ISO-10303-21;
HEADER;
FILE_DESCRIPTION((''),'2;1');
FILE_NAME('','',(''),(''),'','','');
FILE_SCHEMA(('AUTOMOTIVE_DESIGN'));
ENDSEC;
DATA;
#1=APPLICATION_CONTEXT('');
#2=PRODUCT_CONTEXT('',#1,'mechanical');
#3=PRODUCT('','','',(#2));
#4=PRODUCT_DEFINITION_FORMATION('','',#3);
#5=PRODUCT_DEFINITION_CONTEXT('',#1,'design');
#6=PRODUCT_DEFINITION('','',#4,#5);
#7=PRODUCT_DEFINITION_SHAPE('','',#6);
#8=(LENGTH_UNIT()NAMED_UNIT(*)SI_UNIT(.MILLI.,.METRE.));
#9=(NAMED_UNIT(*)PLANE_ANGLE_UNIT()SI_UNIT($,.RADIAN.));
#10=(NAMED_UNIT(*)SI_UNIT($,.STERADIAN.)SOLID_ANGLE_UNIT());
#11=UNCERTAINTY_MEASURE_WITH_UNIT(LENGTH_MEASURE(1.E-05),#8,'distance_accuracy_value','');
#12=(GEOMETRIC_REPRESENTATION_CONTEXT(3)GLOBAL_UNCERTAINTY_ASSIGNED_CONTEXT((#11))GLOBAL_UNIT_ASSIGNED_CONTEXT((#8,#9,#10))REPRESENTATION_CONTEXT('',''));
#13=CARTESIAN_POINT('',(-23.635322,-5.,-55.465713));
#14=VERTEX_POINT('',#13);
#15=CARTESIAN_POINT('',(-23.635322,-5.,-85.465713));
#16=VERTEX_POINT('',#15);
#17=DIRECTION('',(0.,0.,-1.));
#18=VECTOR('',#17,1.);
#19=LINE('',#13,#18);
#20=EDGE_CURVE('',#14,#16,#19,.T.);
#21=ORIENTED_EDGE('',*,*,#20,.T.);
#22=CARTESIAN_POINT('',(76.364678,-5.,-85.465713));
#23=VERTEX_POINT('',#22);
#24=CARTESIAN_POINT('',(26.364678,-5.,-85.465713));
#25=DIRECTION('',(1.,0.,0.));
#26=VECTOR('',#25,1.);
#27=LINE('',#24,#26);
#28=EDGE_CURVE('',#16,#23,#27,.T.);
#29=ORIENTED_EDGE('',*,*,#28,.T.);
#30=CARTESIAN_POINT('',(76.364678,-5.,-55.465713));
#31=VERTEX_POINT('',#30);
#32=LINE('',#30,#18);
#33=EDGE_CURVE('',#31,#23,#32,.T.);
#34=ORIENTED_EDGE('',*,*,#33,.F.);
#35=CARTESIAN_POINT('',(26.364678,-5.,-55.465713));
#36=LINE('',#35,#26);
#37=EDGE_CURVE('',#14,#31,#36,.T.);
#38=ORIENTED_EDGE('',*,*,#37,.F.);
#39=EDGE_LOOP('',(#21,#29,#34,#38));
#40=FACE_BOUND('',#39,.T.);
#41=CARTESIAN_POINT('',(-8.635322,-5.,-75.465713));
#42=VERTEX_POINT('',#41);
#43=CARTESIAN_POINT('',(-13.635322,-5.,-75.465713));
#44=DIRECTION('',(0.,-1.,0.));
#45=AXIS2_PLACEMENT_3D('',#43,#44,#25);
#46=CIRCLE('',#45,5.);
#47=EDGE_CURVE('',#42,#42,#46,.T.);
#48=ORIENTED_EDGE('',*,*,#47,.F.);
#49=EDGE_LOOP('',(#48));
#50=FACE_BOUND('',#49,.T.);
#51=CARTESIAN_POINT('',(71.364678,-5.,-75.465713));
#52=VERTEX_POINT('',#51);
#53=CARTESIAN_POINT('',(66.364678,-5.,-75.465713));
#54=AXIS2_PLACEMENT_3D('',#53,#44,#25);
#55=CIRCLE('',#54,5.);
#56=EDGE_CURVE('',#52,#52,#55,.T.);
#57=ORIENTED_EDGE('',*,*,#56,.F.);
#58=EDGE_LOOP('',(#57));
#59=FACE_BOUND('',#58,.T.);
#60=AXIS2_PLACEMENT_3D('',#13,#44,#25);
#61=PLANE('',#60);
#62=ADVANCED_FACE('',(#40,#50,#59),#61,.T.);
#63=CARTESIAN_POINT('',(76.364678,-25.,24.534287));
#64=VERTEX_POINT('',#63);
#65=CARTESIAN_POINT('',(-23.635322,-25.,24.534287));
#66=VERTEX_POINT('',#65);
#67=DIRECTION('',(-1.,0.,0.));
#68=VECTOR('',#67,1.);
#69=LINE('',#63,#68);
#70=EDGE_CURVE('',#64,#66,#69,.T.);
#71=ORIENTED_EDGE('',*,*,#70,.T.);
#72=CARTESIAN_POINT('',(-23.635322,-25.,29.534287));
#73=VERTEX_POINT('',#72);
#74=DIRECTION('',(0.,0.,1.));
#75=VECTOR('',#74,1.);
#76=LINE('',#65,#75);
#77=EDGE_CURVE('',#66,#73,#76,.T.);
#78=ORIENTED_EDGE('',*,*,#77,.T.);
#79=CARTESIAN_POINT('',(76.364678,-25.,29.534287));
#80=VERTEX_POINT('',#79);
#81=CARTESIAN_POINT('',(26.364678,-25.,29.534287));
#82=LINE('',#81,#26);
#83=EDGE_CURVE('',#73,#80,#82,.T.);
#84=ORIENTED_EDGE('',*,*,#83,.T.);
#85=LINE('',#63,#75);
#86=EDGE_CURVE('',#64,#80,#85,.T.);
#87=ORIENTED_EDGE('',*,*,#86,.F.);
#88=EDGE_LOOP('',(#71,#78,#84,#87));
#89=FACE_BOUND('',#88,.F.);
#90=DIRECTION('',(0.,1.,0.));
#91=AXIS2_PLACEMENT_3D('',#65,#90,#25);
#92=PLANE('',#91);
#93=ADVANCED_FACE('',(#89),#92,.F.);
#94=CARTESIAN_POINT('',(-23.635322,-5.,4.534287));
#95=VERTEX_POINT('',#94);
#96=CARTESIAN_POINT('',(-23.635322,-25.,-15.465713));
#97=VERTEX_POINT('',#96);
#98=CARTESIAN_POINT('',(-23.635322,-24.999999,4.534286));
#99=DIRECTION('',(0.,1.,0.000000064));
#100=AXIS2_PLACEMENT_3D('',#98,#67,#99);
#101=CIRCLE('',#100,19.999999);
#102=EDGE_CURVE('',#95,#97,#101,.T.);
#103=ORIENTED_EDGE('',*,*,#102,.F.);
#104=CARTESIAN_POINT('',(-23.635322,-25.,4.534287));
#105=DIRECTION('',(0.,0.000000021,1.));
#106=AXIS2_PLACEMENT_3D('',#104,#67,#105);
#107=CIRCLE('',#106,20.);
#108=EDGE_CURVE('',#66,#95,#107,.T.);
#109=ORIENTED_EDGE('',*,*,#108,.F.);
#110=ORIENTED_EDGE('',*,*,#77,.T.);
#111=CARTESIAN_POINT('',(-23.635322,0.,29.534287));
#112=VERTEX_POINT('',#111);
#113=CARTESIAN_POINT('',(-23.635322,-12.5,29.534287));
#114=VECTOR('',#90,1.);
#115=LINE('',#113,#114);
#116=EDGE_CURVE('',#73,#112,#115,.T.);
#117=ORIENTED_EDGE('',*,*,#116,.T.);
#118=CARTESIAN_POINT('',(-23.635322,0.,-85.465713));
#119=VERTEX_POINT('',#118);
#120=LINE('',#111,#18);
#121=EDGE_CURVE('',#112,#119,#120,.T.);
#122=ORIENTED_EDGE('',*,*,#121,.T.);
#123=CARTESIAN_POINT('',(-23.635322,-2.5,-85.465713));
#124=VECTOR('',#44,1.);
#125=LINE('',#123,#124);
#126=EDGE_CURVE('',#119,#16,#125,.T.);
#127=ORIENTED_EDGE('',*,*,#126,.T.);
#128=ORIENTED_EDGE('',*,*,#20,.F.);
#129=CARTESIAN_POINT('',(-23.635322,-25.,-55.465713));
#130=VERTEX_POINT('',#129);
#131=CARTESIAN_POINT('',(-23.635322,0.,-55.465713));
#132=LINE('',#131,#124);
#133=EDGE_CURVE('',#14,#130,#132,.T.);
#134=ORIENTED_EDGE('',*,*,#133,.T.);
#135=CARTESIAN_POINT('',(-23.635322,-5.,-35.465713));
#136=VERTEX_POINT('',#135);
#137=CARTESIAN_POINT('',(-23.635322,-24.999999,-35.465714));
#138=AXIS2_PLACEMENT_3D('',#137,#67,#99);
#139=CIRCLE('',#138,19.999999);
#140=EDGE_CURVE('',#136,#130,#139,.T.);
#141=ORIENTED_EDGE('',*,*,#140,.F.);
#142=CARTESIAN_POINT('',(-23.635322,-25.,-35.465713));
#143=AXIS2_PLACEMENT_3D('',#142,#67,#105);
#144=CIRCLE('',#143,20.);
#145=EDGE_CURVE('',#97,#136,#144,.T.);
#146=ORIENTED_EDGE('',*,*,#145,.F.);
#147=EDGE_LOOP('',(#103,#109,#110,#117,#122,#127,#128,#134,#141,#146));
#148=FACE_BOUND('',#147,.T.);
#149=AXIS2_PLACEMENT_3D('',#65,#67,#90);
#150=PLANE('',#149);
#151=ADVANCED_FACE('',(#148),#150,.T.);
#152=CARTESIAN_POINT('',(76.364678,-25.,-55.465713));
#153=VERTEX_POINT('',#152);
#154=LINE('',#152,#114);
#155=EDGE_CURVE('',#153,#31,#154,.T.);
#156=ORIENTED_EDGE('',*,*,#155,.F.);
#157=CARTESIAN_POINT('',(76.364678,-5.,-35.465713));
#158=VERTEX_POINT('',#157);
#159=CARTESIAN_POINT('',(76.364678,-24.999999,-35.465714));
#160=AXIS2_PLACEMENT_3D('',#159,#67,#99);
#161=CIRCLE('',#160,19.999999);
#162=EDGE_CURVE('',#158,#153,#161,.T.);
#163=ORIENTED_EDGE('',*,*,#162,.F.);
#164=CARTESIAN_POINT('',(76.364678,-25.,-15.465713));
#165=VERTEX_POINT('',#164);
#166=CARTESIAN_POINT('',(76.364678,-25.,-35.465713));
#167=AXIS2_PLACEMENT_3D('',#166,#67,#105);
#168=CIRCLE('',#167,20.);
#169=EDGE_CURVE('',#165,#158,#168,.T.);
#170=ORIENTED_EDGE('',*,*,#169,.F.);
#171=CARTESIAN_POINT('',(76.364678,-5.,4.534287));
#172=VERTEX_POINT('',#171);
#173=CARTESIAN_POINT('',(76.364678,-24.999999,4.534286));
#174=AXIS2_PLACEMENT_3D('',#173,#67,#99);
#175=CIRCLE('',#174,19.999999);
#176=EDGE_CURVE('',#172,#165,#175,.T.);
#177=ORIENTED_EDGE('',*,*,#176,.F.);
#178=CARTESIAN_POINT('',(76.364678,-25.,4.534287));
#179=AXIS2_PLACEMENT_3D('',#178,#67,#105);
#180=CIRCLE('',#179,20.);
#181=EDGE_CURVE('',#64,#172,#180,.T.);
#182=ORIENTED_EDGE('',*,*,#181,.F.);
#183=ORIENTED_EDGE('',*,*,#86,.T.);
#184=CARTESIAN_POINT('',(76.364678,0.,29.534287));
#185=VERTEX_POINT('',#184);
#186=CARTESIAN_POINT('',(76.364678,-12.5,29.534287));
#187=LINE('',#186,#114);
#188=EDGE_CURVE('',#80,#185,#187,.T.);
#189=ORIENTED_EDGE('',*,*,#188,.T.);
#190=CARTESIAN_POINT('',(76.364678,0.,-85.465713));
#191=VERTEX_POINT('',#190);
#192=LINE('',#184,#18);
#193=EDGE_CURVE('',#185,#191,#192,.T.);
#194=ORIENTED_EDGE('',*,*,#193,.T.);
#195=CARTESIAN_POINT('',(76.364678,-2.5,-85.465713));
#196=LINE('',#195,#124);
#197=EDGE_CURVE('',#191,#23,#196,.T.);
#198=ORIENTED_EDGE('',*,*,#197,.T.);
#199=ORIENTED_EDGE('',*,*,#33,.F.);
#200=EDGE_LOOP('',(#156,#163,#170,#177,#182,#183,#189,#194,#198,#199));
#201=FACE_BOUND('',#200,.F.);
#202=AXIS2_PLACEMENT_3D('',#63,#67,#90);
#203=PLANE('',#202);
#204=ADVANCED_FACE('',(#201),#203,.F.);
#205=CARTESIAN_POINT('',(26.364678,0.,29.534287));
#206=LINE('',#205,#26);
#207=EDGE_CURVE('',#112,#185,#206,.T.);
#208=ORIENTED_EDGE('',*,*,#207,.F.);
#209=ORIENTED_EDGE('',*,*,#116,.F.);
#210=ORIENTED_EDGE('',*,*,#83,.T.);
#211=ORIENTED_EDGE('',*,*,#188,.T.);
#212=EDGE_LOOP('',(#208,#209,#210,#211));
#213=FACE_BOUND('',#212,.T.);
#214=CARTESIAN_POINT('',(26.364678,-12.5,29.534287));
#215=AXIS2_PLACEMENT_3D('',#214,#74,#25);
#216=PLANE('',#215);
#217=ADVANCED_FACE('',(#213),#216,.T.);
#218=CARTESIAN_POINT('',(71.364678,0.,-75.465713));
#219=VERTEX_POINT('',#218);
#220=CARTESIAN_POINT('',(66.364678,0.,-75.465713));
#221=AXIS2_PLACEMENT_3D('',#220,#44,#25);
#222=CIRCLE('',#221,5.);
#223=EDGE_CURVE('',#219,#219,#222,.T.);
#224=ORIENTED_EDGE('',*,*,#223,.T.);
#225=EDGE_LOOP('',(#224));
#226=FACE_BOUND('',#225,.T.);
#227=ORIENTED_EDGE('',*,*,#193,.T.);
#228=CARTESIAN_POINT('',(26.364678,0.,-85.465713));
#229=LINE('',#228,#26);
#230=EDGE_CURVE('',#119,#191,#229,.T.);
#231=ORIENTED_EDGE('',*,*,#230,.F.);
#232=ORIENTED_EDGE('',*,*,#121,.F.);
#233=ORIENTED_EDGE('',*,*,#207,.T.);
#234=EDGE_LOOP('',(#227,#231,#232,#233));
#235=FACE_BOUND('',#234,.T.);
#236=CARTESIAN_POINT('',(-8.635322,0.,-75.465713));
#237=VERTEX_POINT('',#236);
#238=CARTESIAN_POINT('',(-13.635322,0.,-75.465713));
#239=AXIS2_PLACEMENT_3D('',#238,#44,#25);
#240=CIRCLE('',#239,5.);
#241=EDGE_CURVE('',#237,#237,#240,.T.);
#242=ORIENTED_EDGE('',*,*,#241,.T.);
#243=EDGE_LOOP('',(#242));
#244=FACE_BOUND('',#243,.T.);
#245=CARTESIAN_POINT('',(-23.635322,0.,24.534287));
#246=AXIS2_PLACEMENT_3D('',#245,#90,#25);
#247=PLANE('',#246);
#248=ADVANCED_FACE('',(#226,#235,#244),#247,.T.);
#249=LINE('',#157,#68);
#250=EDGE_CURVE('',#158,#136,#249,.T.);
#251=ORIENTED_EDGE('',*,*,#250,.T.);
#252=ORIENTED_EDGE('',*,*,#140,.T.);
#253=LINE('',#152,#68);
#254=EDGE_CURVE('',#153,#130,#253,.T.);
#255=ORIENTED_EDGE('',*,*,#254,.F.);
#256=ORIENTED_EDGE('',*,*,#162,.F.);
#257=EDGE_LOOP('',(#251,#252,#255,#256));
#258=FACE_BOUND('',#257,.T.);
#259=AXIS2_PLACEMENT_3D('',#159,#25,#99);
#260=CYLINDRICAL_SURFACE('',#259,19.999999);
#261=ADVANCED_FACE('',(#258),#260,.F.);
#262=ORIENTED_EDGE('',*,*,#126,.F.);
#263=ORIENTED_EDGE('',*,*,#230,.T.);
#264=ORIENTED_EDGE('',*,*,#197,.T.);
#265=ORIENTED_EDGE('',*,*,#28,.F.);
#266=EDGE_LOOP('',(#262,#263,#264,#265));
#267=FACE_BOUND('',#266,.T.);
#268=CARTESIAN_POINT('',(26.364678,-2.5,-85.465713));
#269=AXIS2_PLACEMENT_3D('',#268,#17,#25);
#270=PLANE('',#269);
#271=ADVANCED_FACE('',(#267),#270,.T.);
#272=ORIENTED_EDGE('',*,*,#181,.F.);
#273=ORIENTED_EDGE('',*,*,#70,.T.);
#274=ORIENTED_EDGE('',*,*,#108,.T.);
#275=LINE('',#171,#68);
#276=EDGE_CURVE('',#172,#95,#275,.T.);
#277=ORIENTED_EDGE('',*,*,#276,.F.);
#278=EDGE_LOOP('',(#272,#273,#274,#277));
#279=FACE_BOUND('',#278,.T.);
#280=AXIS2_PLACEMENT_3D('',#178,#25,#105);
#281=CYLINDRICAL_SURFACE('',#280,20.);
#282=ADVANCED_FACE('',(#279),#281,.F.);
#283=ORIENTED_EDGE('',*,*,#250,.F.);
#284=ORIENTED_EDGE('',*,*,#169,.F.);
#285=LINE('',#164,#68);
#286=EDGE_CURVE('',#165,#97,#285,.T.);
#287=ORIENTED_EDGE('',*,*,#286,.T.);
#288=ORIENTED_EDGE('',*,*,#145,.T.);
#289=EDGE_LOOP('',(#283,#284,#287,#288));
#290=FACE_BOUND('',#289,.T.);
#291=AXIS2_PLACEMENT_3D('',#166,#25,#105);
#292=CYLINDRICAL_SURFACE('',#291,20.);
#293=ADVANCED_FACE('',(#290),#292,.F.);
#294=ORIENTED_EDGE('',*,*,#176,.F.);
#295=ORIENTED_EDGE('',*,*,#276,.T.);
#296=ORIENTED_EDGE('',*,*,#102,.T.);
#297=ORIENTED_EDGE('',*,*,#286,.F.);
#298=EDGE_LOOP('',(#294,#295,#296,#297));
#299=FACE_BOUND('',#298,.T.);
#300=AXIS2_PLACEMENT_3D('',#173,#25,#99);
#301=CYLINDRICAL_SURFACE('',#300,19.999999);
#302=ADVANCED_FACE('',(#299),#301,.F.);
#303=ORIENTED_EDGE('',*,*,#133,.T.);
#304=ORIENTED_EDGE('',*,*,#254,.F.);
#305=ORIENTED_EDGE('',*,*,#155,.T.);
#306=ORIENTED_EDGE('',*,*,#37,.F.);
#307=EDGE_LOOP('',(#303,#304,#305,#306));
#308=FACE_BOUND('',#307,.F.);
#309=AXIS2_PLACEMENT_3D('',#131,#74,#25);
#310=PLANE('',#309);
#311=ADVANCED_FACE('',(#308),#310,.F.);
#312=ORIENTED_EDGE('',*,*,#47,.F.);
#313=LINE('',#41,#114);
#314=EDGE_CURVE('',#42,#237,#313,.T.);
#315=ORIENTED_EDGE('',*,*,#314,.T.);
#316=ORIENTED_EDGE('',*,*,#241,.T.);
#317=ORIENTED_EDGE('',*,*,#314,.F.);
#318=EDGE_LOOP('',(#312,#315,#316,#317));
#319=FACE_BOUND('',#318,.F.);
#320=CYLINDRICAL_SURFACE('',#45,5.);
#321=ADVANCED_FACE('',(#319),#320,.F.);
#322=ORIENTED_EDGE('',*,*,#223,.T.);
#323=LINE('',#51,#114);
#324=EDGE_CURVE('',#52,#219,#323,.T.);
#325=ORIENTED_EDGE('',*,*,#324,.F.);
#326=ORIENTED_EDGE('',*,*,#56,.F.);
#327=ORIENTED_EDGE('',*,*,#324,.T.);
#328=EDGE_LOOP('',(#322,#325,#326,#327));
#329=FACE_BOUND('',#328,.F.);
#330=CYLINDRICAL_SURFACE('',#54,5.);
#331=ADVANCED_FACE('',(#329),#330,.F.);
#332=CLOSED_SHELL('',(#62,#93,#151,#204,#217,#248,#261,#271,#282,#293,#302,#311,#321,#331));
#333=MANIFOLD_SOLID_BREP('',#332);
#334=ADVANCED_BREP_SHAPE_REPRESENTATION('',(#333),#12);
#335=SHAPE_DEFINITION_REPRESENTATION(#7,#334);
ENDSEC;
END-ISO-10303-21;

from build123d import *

# Parameters (mm, degrees)
F0_W     = 100
F0_H     = 80
F1_DEPTH = 5
F3_DEPTH = 100
F4_W     = 100
F4_H     = 5
F5_DEPTH = 30
F6_R     = 5
F7_DEPTH = 5
F8_W     = 100
F8_H     = 25
F9_DEPTH = 5


with BuildPart() as f1:
    # F0 (on Front) → F1 (new body)
    with BuildSketch(Plane.XZ):
        with Locations((26.364678, -15.465713)):
            Rectangle(F0_W, F0_H)
    extrude(amount=F1_DEPTH)

    # F2 (on face) → F3 (join)
    with BuildSketch(Plane.YZ.offset(76.364678)):
        with BuildLine():
            ThreePointArc((-25, 24.534287), (-10.857864, 18.676422), (-5, 4.534287))
            Line((-5, 4.534287), (-5, 24.534287))
            Line((-5, 24.534287), (-25, 24.534287))
        make_face()
        with BuildLine():
            ThreePointArc((-25, -15.465713), (-10.857864, -21.323578), (-5, -35.465713))
            Line((-5, -35.465713), (-5, 4.534287))
            ThreePointArc((-5, 4.534287), (-10.857864, -9.607849), (-25, -15.465713))
        make_face()
        with BuildLine():
            ThreePointArc((-5, -35.465713), (-10.857864, -49.607849), (-25, -55.465713))
            Line((-25, -55.465713), (-5, -55.465713))
            Line((-5, -55.465713), (-5, -35.465713))
        make_face()
    extrude(amount=-F3_DEPTH)

    # F4 (on face) → F5 (join)
    with BuildSketch(Plane(origin=(0, 0, -55.465713), x_dir=(1, 0, 0), z_dir=(0, 0, -1))):
        with Locations((26.364678, 2.5)):
            Rectangle(F4_W, F4_H)
    extrude(amount=F5_DEPTH)

    # F6 (on face) → F7 (cut)
    with BuildSketch(Plane.XZ.offset(5)):
        with Locations((66.364678, -75.465713)):
            Circle(F6_R)
        with Locations((-13.635322, -75.465713)):
            Circle(F6_R)
    extrude(amount=-F7_DEPTH, mode=Mode.SUBTRACT)

    # F8 (on face) → F9 (join)
    with BuildSketch(Plane.XY.offset(24.534287)):
        with Locations((26.364678, -12.5)):
            Rectangle(F8_W, F8_H)
    extrude(amount=F9_DEPTH)


solid = f1.part
